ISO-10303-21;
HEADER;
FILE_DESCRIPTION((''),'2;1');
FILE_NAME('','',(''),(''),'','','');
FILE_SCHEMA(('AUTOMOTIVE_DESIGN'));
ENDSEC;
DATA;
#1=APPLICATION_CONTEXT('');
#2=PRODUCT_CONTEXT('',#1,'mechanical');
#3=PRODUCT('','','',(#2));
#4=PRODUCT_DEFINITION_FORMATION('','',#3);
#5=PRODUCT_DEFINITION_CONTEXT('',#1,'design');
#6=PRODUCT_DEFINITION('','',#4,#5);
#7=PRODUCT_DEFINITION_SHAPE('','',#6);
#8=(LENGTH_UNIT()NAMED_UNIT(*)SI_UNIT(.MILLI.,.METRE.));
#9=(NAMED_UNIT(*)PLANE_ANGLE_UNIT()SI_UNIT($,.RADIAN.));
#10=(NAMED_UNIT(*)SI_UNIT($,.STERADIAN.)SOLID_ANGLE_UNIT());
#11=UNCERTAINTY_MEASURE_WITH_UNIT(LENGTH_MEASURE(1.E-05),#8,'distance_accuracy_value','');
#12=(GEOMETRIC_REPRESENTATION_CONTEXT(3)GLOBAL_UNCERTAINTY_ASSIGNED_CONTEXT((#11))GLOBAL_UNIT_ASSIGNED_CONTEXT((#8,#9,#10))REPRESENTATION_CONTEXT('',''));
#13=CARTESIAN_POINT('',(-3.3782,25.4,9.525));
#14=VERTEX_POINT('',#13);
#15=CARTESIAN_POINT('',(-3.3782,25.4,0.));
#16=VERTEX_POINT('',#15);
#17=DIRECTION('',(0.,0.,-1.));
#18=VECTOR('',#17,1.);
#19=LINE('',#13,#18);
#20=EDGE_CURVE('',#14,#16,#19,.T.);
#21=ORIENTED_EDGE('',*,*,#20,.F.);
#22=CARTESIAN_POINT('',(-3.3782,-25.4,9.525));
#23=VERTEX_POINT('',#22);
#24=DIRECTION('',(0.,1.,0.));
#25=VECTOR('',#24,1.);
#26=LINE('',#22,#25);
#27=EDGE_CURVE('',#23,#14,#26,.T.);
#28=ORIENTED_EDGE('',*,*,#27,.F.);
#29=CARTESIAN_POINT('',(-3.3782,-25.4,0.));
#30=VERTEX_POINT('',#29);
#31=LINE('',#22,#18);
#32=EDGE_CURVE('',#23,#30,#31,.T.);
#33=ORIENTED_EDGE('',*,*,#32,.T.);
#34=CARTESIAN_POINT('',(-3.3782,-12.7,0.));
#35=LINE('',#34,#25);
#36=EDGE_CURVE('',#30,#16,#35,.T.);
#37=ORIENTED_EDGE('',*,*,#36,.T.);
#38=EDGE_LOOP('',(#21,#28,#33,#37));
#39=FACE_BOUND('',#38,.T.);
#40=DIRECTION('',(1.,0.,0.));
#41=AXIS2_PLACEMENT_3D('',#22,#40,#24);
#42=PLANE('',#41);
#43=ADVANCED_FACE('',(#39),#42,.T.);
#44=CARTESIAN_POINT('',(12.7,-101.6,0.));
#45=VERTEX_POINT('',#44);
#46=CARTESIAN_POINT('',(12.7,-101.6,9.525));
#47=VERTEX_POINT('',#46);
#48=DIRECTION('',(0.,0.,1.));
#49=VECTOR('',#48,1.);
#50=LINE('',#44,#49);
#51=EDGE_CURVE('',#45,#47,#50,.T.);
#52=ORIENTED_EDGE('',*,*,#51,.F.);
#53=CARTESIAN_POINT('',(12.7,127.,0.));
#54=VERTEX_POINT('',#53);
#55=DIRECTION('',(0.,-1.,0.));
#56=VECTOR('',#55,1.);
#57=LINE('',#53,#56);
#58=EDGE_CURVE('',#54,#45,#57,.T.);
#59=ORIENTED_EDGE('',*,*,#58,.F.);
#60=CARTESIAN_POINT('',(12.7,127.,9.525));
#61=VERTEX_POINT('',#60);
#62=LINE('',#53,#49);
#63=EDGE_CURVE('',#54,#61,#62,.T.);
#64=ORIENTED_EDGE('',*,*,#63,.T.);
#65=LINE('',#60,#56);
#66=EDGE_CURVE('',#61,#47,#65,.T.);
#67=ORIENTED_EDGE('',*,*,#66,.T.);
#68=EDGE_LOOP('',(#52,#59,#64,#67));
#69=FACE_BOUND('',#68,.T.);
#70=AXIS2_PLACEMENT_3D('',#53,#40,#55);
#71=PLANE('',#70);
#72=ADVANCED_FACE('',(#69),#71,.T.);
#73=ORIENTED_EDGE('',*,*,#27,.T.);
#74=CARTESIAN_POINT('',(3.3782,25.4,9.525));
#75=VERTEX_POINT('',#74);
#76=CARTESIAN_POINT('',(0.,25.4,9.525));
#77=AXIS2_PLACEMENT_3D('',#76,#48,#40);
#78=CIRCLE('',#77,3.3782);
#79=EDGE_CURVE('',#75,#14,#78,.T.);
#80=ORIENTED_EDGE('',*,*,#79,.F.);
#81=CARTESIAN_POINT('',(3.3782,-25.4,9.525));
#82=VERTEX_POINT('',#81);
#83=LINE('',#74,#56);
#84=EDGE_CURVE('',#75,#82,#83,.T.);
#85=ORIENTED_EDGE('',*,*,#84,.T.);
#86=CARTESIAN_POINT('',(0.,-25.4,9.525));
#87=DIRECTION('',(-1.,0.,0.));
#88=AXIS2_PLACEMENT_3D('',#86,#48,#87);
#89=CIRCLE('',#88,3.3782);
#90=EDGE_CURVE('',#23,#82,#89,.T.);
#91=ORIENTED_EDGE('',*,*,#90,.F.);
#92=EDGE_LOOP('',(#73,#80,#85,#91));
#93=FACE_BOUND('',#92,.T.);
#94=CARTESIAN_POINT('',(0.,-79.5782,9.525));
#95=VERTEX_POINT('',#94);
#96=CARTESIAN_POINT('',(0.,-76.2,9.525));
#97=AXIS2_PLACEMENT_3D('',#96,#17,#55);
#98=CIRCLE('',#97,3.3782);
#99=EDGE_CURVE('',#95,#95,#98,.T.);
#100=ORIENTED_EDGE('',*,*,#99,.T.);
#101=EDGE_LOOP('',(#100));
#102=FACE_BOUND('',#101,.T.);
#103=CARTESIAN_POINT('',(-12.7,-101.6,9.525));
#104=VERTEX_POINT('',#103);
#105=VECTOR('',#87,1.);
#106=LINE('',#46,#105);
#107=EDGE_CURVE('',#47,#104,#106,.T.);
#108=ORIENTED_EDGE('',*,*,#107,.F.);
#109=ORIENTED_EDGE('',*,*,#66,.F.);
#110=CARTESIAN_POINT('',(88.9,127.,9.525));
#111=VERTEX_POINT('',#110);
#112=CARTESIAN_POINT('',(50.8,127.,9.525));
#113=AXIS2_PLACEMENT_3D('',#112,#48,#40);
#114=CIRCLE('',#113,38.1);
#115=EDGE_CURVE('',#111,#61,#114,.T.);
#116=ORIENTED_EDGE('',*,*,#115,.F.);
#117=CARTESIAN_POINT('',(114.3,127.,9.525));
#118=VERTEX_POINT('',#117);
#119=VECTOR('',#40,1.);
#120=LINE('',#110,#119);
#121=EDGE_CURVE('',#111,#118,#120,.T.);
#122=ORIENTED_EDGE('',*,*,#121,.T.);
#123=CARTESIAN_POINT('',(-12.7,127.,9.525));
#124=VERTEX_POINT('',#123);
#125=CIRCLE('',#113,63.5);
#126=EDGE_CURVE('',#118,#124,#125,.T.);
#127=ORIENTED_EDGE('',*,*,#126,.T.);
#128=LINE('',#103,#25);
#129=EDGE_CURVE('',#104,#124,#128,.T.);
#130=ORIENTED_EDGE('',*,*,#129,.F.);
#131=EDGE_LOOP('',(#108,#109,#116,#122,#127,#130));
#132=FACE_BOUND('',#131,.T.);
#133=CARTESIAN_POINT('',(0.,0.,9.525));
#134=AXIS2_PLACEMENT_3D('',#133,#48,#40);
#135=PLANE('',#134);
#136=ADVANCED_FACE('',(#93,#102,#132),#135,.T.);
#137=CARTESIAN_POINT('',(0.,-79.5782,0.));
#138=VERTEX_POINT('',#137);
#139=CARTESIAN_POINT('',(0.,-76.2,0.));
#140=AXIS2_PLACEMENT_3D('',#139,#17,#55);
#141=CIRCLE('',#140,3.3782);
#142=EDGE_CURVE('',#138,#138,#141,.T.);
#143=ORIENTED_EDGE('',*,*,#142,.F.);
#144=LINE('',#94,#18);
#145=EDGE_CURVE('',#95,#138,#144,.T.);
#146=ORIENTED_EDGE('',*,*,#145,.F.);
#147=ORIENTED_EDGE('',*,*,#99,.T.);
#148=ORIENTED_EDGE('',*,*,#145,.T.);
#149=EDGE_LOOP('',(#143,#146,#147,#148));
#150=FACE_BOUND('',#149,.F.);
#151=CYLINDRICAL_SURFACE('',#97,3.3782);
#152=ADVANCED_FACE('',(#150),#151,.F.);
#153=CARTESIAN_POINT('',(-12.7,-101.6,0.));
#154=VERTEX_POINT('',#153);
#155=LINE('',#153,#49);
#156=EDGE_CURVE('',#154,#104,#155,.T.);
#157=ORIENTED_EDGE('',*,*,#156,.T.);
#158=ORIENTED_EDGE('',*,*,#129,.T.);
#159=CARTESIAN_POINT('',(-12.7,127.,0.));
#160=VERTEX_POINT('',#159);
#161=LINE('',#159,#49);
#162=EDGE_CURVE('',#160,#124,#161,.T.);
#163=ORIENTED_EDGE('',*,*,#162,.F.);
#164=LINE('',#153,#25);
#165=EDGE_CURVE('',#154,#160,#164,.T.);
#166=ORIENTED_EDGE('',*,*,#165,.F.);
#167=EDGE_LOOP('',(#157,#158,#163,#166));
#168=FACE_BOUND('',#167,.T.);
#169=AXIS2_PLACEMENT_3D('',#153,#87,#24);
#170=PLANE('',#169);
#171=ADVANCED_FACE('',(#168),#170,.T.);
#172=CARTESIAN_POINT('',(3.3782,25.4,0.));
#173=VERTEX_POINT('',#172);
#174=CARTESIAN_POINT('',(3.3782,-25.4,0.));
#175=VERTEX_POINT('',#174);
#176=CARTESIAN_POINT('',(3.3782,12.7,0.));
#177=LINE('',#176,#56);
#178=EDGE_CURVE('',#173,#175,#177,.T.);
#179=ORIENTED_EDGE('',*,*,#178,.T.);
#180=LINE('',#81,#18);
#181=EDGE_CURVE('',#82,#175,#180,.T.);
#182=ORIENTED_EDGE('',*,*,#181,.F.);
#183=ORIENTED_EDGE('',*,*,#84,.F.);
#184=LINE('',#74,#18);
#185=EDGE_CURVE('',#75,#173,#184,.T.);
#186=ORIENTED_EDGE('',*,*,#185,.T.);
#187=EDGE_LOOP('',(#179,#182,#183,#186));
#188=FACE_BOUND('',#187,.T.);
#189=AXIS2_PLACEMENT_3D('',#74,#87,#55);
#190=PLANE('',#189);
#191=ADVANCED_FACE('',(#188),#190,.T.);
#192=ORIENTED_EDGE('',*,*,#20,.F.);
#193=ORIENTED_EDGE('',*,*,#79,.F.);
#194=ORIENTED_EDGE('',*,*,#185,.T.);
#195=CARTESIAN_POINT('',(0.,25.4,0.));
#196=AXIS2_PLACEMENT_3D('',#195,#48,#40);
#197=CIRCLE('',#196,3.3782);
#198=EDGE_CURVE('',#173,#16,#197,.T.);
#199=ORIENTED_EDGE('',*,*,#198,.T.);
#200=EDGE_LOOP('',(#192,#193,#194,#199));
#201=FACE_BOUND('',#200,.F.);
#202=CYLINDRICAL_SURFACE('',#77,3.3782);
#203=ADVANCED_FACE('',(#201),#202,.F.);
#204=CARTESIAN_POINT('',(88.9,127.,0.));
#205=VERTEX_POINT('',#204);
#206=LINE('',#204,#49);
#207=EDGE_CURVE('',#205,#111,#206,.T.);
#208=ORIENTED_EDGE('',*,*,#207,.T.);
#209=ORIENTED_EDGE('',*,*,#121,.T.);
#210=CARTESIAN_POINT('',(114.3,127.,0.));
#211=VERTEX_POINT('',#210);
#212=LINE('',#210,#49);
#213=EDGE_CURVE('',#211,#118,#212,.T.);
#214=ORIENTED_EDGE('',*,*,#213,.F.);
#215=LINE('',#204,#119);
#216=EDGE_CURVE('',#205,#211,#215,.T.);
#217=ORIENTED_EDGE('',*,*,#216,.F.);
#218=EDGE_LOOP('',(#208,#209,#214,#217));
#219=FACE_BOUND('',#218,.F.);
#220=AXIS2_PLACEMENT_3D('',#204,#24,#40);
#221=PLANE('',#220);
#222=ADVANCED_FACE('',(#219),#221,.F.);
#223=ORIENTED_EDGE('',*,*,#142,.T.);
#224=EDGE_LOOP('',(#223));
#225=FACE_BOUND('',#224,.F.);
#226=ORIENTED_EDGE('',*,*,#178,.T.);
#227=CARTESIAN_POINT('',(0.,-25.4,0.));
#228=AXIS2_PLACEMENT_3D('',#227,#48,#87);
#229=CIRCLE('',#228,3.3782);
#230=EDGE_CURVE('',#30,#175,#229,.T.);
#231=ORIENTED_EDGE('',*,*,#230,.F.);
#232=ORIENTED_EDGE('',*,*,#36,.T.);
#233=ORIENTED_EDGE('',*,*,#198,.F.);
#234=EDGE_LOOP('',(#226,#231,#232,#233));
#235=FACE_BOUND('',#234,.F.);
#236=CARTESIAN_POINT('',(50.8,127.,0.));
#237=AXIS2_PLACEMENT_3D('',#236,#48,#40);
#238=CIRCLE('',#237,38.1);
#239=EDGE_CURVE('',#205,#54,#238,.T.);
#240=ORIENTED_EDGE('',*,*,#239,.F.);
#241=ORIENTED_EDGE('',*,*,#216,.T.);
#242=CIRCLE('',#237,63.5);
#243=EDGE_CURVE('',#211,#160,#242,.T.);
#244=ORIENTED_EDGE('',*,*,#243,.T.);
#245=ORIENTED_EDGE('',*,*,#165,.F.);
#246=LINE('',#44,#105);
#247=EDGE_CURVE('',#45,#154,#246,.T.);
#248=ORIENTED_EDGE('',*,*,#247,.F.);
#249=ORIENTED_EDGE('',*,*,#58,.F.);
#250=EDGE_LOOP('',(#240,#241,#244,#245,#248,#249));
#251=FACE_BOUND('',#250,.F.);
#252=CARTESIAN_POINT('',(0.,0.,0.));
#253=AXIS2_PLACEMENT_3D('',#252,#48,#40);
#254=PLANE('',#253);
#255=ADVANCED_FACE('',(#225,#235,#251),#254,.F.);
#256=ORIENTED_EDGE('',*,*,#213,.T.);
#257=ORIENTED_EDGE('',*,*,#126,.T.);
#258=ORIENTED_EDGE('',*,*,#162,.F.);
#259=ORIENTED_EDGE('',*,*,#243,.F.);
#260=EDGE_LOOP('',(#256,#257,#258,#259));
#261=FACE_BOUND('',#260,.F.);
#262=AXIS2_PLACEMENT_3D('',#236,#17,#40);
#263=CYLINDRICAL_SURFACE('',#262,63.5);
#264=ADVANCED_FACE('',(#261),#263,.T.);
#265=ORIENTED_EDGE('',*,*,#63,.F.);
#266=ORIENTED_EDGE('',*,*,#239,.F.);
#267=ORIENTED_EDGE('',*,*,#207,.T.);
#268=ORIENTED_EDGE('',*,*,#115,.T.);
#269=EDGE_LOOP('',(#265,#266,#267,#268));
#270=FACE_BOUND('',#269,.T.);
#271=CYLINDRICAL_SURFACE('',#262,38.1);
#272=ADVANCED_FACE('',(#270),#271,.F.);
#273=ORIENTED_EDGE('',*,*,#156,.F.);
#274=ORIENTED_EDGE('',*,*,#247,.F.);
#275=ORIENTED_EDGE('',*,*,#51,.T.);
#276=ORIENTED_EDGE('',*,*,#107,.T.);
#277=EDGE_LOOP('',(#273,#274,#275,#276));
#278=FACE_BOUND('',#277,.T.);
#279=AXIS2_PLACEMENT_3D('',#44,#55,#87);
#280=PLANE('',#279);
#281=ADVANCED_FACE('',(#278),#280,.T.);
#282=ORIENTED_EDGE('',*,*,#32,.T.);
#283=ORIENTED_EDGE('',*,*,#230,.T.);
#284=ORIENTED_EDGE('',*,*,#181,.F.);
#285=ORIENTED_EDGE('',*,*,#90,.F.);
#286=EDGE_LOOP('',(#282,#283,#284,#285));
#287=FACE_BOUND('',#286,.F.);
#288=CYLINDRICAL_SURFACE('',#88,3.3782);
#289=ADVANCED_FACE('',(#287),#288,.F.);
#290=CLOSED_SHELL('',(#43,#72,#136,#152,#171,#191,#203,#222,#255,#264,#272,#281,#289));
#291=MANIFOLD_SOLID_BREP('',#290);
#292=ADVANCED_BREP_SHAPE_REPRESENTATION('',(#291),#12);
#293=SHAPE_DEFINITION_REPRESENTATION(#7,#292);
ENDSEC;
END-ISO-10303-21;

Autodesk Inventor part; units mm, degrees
ref_plane "YZ Plane" through (0, 0, 0) normal (1, 0, 0) x (0, 1, 0)
ref_plane "XZ Plane" through (0, 0, 0) normal (0, 1, 0) x (-1, 0, 0)
ref_plane "XY Plane" through (0, 0, 0) normal (0, 0, 1) x (1, 0, 0)
sketch "Sketch1" plane through (0, 0, 0) normal (0, 0, 1) x (1, 0, 0)
  line L0 (12.7, 127) -> (12.7, -101.6)
  line L1 (12.7, -101.6) -> (-12.7, -101.6)
  line L2 (-12.7, -101.6) -> (-12.7, 127)
  arc A0 (88.9, 127) -> (12.7, 127) centre (50.8, 127) ccw
  arc A1 (114.3, 127) -> (-12.7, 127) centre (50.8, 127) ccw
  line L3 (88.9, 127) -> (114.3, 127)
  point P0 (0, 588.8574)
  point P1 (0, -101.6)
  dimension "d6" = 25.4
  dimension "d7" = 38.1
extrude "Extrusion1" add sketch "Sketch1" along normal blind 9.525
sketch "Sketch3" plane through (0, 0, 9.525) normal (0, 0, 1) x (1, 0, 0)
  line L0 (-12.7, 127) -> (-12.7, -101.6) projected
  line L1 (-12.7, -101.6) -> (12.7, -101.6) projected
  line L2 (12.7, -101.6) -> (12.7, 127) projected
  arc A0 (88.9, 127) -> (12.7, 127) centre (50.8, 127) ccw projected
  line L3 (88.9, 127) -> (114.3, 127) projected
  arc A1 (114.3, 127) -> (-12.7, 127) centre (50.8, 127) ccw projected
  point P0 (0, 0)
  point P1 (0, -76.2)
  dimension "d20" = 12.7
  dimension "d21" = 12.7
  dimension "d22" = 25.4
hole "Hole1" at (0, -76.2, 9.525) direction (0, 0, -1) diameter 6.7564 end through all clearance for "Flat Head Machine Screw (82)" size "1/4" standard "Ansi Unified Screw Threads"
sketch "Sketch4" plane through (0, 0, 9.525) normal (0, 0, 1) x (1, 0, 0)
  circle A0 centre (0, -76.2) radius 3.3782 projected
  line L0 (-12.7, 127) -> (-12.7, -101.6) projected
  line L1 (-12.7, -101.6) -> (12.7, -101.6) projected
  line L2 (12.7, -101.6) -> (12.7, 127) projected
  arc A1 (88.9, 127) -> (12.7, 127) centre (50.8, 127) ccw projected
  line L3 (88.9, 127) -> (114.3, 127) projected
  arc A2 (114.3, 127) -> (-12.7, 127) centre (50.8, 127) ccw projected
  line L4 (-3.3782, -25.4) -> (-3.3782, 25.4)
  line L5 (3.3782, 25.4) -> (3.3782, -25.4)
  circle A3 centre (0, -76.2) radius 3.3782 projected
  arc A4 (3.3782, 25.4) -> (-3.3782, 25.4) centre (0, 25.4) ccw
  arc A5 (-3.3782, -25.4) -> (3.3782, -25.4) centre (0, -25.4) ccw
  point P0 (0, 0)
  dimension "d23" = 50.8
  dimension "d24" = 50.8
extrude "Extrusion2" cut sketch "Sketch4" against normal through all contours L4 A4 L5 A5
equation "\"d20\" = d21"
properties part number "ScissorHookTry"
